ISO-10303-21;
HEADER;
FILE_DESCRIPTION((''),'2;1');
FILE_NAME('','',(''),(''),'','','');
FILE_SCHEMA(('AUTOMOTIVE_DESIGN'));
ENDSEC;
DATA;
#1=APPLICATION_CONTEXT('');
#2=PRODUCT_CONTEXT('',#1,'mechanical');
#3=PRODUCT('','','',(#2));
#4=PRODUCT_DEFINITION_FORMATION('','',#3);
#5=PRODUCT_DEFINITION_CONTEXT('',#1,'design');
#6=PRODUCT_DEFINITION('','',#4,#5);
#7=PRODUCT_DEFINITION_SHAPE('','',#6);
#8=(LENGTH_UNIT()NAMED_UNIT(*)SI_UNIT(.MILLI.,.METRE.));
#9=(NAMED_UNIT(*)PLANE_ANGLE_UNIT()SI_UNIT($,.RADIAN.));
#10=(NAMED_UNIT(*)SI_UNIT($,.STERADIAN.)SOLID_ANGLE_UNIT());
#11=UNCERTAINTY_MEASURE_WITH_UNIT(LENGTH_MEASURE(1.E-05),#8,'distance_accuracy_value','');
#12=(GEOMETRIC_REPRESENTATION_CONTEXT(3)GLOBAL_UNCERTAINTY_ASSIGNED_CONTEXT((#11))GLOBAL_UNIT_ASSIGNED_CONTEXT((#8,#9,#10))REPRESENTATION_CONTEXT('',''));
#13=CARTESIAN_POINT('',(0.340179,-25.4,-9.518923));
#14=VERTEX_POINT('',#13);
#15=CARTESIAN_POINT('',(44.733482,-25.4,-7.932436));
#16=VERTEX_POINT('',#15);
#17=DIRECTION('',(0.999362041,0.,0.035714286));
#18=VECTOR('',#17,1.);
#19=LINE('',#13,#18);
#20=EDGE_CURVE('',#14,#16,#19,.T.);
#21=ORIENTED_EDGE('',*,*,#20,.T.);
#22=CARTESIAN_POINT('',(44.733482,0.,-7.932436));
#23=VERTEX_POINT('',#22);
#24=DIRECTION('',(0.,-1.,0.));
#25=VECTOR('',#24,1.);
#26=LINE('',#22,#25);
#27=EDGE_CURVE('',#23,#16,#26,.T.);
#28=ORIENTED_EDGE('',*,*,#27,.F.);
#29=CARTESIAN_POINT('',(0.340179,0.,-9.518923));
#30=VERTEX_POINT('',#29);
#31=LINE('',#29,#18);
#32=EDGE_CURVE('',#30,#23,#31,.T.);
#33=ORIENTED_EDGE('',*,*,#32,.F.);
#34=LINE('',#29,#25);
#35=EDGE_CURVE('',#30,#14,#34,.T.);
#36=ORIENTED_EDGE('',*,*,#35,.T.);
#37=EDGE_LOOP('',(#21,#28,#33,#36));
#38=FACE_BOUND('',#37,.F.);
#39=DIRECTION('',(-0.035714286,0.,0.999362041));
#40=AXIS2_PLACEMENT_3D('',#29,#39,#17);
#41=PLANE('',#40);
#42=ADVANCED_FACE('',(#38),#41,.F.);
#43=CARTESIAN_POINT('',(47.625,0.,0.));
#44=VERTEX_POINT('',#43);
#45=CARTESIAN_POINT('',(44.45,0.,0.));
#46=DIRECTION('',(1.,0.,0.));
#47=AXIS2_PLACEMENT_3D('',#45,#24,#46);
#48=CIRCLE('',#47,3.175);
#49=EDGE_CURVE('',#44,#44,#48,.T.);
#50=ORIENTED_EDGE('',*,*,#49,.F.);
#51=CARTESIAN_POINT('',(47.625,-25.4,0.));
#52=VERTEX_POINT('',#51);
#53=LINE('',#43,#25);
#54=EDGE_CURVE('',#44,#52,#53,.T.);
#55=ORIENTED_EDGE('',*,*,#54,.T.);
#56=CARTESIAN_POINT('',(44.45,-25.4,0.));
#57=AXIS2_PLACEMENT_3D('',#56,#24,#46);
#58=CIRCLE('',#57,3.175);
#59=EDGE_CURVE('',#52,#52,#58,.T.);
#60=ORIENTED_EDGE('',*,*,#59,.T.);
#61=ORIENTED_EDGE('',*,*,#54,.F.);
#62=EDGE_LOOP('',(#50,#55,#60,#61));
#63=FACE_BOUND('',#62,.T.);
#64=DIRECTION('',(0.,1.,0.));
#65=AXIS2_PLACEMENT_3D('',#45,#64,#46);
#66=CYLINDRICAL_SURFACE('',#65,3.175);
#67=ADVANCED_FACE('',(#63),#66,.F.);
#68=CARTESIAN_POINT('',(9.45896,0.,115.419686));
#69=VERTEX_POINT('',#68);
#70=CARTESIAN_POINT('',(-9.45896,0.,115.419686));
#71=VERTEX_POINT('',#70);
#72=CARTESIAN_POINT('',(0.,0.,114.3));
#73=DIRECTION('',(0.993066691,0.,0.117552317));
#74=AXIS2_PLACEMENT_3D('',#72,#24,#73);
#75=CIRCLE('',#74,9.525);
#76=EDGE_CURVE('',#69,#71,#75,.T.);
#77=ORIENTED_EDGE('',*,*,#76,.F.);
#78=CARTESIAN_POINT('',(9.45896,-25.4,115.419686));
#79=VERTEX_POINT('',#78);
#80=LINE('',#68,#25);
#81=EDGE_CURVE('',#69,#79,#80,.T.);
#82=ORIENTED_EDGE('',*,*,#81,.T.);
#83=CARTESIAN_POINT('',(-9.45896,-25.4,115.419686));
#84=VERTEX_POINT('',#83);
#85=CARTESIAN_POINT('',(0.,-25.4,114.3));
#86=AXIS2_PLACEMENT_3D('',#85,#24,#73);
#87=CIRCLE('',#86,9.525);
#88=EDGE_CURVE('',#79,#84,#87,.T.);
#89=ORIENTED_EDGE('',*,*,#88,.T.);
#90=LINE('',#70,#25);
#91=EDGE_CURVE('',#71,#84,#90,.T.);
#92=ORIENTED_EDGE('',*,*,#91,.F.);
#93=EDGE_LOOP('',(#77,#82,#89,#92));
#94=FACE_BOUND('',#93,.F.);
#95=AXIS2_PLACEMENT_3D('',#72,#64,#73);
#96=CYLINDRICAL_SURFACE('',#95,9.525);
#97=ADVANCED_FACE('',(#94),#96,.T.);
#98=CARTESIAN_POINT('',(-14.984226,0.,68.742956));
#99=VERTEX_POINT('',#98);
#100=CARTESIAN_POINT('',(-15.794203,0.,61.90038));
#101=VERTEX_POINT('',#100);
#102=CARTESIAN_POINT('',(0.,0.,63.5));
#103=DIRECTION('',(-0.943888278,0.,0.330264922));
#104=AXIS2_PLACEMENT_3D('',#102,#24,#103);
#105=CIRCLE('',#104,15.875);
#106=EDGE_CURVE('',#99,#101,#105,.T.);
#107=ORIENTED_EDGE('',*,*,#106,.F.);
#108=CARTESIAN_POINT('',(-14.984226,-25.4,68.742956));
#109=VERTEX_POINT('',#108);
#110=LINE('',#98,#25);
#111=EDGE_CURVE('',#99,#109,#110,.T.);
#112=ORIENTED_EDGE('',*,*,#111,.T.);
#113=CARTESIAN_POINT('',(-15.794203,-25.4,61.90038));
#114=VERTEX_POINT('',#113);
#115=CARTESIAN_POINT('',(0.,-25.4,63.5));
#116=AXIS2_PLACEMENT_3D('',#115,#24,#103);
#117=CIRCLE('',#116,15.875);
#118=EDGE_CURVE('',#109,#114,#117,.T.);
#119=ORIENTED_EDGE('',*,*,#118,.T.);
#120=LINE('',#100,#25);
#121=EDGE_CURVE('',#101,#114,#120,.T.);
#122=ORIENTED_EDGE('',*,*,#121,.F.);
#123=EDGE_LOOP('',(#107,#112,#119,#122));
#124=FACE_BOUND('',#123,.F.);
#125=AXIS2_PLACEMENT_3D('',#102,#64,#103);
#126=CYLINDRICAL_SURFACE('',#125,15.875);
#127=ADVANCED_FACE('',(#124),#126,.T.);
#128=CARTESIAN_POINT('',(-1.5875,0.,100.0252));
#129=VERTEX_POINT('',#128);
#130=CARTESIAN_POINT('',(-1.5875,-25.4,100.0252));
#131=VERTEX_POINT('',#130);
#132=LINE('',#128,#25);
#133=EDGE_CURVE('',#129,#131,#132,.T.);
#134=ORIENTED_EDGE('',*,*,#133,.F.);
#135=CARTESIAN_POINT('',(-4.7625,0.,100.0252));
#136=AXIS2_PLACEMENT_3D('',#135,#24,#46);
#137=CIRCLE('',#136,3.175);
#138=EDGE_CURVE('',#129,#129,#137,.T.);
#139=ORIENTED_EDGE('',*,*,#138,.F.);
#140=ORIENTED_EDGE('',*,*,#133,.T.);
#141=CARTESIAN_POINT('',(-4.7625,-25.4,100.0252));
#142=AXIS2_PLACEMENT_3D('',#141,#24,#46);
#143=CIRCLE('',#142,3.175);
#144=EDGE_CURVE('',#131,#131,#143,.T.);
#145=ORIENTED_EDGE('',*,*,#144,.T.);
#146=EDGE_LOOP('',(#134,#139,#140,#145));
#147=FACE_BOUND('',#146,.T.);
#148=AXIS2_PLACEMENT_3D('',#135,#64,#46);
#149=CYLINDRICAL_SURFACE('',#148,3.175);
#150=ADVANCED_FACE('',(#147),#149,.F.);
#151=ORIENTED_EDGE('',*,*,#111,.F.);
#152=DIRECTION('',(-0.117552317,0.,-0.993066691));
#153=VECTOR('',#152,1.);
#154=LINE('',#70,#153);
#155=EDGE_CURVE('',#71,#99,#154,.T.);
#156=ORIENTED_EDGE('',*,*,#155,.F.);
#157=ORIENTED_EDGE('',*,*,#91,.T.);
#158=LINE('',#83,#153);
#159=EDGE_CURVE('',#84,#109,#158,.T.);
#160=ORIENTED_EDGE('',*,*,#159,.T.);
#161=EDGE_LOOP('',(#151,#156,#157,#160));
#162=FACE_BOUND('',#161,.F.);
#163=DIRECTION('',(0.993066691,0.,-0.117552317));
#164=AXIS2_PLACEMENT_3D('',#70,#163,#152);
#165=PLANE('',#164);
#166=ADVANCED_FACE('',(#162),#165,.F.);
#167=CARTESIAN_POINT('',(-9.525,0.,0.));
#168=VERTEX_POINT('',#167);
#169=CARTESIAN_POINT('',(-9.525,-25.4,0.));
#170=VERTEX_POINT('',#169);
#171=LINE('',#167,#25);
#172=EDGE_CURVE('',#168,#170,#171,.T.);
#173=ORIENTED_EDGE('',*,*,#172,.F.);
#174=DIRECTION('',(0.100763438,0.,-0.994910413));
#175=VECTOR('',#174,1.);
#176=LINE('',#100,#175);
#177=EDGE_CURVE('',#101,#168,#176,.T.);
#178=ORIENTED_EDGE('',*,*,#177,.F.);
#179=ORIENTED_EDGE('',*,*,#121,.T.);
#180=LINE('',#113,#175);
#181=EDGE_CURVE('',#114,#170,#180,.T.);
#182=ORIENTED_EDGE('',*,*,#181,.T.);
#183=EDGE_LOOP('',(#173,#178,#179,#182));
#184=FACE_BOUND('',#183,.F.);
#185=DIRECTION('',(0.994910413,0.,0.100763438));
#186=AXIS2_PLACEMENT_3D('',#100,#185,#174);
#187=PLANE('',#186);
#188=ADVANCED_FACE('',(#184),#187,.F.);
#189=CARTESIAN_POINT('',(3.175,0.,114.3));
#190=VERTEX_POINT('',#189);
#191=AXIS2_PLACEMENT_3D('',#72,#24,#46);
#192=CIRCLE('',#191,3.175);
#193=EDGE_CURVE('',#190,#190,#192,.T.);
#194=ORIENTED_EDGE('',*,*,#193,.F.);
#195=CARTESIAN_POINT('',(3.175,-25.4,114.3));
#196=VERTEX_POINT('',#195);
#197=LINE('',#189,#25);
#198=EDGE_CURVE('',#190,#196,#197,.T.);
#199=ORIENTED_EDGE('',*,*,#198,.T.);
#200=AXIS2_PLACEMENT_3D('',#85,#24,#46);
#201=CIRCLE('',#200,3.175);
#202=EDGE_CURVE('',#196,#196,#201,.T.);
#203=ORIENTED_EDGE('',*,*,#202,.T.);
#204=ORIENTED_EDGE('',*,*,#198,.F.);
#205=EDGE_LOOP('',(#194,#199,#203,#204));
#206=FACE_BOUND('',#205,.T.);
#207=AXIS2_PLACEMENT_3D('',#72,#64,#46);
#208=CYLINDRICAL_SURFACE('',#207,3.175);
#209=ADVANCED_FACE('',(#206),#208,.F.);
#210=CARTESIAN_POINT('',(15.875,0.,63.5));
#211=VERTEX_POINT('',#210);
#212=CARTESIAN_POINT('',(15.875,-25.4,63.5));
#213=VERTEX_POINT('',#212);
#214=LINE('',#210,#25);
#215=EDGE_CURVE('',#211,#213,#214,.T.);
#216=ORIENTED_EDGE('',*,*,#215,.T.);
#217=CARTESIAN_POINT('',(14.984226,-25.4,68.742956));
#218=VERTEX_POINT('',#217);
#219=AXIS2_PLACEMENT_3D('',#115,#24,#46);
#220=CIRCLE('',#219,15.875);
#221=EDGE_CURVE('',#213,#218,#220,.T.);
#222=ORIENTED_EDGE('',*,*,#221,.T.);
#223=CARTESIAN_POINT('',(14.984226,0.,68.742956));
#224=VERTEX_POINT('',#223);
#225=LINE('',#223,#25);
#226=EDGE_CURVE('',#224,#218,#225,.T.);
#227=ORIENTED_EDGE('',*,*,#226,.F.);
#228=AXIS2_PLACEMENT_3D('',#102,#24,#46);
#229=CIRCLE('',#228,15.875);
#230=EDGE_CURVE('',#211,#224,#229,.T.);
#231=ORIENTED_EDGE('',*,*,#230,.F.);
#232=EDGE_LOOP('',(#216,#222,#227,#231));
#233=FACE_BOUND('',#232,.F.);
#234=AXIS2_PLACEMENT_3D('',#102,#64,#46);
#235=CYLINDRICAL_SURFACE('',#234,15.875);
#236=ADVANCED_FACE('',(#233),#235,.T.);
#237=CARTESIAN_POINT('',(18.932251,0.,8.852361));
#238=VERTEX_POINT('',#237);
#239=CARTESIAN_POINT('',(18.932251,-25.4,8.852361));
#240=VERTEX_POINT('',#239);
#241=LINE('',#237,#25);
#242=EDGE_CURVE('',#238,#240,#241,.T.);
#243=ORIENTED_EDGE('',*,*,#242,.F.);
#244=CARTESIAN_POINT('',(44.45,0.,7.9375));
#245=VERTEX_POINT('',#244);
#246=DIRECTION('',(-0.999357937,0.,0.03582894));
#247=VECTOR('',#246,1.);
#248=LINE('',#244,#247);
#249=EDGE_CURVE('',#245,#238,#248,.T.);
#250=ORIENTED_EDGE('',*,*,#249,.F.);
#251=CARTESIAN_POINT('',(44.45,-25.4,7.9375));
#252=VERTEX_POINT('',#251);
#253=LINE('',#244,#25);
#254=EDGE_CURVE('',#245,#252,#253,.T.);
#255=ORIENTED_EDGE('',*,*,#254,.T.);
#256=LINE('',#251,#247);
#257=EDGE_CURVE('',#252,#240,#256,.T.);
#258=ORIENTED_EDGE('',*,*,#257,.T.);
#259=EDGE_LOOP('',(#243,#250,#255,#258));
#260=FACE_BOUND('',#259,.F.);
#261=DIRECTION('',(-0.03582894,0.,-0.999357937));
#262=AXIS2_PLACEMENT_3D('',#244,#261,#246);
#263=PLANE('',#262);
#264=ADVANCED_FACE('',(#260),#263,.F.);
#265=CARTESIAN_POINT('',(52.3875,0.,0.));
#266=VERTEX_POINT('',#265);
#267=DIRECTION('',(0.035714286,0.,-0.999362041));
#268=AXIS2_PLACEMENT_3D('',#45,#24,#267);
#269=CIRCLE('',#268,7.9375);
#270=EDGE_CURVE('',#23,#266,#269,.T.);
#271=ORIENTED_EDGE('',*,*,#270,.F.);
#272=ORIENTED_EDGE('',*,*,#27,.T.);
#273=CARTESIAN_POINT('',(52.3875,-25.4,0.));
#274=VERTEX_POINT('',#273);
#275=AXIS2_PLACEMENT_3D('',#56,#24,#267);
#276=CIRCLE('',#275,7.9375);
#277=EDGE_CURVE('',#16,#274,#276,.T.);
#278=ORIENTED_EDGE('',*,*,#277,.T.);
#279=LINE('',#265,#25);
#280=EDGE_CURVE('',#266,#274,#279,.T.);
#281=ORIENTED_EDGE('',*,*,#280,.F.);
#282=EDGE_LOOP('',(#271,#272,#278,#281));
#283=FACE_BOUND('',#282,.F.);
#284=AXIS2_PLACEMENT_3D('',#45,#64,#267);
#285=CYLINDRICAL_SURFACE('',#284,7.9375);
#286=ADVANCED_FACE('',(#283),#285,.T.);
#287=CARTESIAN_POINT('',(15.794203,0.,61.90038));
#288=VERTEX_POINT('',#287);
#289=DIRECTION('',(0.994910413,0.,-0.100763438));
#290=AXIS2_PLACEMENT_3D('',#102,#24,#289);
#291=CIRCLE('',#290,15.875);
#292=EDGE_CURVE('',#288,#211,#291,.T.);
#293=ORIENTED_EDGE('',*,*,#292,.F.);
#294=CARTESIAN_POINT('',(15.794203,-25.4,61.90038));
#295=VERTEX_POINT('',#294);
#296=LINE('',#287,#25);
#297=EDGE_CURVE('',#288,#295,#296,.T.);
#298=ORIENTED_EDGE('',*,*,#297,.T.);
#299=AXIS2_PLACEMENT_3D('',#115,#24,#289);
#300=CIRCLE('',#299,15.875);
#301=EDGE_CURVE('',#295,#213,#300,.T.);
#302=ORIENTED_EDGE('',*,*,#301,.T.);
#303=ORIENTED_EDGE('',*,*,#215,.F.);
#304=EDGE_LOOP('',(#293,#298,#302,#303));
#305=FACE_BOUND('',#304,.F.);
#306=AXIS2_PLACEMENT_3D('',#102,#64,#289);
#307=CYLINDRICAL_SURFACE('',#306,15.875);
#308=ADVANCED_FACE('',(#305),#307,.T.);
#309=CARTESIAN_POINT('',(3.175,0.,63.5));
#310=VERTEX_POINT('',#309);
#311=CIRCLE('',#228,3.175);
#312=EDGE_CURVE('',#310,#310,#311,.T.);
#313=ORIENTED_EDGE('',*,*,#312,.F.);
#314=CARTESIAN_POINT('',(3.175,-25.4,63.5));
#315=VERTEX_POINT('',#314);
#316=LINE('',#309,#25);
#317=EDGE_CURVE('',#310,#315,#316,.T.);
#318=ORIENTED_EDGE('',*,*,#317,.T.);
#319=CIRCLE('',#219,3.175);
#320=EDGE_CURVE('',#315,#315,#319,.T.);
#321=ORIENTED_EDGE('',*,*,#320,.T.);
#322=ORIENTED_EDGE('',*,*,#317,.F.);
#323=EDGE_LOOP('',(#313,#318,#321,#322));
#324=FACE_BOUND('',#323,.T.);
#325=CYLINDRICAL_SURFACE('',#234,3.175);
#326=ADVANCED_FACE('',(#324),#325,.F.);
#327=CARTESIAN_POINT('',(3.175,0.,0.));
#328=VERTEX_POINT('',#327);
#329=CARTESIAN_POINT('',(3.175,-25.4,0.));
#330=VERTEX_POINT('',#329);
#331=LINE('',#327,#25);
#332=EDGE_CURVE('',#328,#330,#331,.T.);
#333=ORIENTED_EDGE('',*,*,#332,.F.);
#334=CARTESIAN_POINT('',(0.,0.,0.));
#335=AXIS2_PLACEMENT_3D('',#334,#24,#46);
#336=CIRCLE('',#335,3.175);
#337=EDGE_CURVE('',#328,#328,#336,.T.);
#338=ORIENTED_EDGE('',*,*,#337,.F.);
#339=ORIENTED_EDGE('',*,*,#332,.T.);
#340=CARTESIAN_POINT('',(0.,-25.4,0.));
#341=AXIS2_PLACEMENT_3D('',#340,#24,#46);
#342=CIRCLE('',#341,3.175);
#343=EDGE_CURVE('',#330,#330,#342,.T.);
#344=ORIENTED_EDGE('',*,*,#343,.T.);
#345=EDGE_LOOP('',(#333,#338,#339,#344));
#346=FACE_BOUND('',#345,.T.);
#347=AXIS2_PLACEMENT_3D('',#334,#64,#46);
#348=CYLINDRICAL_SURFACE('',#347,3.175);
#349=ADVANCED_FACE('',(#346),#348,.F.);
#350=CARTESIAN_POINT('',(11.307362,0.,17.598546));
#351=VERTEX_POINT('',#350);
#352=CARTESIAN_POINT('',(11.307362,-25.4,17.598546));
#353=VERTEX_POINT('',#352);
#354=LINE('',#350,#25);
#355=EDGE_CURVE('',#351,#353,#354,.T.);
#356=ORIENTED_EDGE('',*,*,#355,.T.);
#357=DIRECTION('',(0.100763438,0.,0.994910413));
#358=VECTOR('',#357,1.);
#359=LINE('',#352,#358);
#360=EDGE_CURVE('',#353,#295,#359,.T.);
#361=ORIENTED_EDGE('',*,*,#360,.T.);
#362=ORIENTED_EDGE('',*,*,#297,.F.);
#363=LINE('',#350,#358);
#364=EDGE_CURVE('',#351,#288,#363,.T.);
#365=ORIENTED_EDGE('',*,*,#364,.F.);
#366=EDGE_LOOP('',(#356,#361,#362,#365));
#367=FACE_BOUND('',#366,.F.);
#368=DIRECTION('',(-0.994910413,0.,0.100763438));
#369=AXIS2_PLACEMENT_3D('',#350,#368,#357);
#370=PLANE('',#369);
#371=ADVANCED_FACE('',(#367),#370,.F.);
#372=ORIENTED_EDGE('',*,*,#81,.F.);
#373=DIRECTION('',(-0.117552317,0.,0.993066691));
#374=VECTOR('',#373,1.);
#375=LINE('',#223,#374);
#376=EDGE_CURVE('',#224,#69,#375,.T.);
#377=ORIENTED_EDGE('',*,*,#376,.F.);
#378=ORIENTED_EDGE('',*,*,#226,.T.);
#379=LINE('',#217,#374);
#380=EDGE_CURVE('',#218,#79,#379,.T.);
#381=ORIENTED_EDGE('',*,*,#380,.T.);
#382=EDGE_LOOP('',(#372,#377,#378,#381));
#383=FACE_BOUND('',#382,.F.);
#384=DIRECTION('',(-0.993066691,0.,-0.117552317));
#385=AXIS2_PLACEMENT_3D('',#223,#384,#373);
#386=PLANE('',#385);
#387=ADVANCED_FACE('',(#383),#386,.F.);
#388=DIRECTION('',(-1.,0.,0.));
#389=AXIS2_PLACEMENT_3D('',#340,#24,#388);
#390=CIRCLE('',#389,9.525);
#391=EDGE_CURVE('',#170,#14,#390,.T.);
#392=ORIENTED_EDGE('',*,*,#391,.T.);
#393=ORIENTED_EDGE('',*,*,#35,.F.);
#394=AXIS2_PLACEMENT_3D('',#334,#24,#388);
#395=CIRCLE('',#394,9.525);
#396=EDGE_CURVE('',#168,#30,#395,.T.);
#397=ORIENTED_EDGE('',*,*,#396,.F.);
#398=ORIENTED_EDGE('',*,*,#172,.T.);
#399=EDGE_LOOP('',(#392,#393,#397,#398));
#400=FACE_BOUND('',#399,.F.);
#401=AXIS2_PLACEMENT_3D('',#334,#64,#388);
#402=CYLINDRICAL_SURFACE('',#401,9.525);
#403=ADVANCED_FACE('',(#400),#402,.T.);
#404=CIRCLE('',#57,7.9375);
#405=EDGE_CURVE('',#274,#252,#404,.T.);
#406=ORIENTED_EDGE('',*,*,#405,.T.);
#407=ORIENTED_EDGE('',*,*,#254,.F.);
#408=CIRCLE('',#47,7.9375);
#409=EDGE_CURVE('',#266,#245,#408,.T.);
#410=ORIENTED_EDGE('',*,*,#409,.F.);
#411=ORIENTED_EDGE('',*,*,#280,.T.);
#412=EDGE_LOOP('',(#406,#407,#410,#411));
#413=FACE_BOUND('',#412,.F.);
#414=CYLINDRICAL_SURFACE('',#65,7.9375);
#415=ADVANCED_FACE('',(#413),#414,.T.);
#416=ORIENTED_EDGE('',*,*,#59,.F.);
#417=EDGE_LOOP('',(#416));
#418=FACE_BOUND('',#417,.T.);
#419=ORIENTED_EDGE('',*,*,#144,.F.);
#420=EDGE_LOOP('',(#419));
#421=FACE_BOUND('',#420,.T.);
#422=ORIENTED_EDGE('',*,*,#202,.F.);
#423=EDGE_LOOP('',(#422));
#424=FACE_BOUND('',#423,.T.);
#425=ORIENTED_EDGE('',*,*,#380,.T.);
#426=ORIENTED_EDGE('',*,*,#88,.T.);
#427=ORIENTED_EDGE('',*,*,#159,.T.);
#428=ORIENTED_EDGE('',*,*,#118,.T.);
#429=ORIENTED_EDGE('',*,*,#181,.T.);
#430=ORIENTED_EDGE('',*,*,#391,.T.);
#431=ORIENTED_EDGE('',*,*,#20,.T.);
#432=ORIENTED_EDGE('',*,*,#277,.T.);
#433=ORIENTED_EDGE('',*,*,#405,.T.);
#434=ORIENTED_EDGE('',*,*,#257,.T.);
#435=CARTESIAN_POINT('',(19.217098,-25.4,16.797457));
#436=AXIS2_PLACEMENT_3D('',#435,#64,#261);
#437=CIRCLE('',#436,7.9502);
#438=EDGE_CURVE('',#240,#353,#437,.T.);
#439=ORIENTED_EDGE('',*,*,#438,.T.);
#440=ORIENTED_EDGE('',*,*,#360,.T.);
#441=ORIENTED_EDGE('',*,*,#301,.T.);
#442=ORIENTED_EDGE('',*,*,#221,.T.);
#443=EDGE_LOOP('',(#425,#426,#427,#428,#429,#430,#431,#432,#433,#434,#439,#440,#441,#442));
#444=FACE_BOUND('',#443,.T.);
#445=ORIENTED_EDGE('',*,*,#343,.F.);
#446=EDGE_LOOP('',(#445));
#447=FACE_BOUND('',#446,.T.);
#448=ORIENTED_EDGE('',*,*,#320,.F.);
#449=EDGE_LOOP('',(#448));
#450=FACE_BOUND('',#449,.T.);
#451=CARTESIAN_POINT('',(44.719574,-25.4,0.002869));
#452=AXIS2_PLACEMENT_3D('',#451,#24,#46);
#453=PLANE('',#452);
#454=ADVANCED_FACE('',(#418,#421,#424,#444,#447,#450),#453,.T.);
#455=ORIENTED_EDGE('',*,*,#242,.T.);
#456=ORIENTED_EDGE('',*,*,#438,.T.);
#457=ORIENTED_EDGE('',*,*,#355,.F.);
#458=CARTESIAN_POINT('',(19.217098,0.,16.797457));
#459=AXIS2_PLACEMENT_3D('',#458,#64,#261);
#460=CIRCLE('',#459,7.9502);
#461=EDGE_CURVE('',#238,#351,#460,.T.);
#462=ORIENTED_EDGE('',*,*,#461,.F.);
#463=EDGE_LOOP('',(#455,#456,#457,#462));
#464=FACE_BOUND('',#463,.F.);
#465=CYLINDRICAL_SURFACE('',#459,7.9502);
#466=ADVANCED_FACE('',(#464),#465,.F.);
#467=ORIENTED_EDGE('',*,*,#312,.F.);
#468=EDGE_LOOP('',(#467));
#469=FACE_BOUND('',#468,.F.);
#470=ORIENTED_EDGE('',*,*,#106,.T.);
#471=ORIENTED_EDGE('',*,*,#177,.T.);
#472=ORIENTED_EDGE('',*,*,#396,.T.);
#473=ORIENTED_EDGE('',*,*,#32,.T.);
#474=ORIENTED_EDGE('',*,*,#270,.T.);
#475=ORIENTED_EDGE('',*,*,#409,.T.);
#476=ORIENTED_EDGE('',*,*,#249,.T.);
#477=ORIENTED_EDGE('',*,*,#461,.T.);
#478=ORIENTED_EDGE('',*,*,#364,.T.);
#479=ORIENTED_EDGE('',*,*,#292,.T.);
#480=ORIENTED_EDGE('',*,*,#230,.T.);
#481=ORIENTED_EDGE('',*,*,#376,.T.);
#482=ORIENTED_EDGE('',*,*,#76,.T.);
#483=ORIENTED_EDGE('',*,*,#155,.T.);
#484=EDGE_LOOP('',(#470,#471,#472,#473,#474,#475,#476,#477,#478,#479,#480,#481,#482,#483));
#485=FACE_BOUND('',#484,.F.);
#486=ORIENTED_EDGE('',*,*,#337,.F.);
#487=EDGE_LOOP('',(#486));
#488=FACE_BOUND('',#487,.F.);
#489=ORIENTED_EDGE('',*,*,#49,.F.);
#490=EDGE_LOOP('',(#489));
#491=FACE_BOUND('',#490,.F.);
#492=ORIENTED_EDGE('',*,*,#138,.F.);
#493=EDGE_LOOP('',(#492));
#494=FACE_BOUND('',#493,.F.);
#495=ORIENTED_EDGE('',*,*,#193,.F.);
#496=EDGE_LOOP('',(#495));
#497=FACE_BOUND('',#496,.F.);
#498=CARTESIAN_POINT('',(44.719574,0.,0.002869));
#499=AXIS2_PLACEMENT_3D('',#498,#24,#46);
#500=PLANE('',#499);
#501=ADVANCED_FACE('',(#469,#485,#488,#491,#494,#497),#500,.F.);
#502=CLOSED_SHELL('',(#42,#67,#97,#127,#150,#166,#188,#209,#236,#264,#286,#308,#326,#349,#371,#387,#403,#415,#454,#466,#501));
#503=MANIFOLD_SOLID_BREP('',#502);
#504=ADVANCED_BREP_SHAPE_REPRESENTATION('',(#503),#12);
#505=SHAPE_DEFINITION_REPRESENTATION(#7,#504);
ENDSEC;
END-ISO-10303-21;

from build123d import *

# Parameters (mm, degrees)
F0_R     = 3.175
F1_DEPTH = 25.4


with BuildPart() as f1:
    # F0 (on Front) → F1 (new body)
    with BuildSketch(Plane.XZ):
        with BuildLine():
            ThreePointArc((44.7334821429, -7.9324362036), (50.1620069047, -5.5115227815), (52.3875, 0))
            ThreePointArc((52.3875, 0), (50.0626600757, 5.6126600757), (44.45, 7.9375))
            ThreePointArc((44.45, 7.9375), (36.5137660501, -0.1417636831), (44.7334821429, -7.9324362036))
        make_face()
        with Locations((44.45, 0)):
            Circle(F0_R, mode=Mode.SUBTRACT)
        with BuildLine():
            ThreePointArc((44.7334821429, -7.9324362036), (36.5137660501, -0.1417636831), (44.45, 7.9375))
            Line((44.45, 7.9375), (18.9322510366, 8.8523612883))
            ThreePointArc((18.9322510366, 8.8523612883), (13.2244578226, 11.5730964697), (11.3073615093, 17.5985462477))
            Line((11.3073615093, 17.5985462477), (15.7942028036, 61.9003804205))
            ThreePointArc((15.7942028036, 61.9003804205), (0, 47.625), (-15.7942028036, 61.9003804205))
            Line((-15.7942028036, 61.9003804205), (-9.525, 0))
            ThreePointArc((-9.525, 0), (0, 9.525), (9.525, 0))
            ThreePointArc((9.525, 0), (6.854408295, -6.6138273281), (0.3401785982, -9.5189234434))
            Line((0.3401785982, -9.5189234434), (44.7334821429, -7.9324362036))
        make_face()
        with BuildLine():
            ThreePointArc((-9.525, 0), (-6.6138273281, -6.854408295), (0.3401785982, -9.5189234434))
            ThreePointArc((0.3401785982, -9.5189234434), (6.854408295, -6.6138273281), (9.525, 0))
            ThreePointArc((9.525, 0), (0, 9.525), (-9.525, 0))
        make_face()
        Circle(F0_R, mode=Mode.SUBTRACT)
        with BuildLine():
            Line((14.9842264132, 68.7429556358), (15.7942028036, 61.9003804205))
            ThreePointArc((15.7942028036, 61.9003804205), (15.8547878338, 62.6991705884), (15.875, 63.5))
            ThreePointArc((15.875, 63.5), (15.6507223365, 66.1590440661), (14.9842264132, 68.7429556358))
        make_face()
        with BuildLine():
            ThreePointArc((-15.7942028036, 61.9003804205), (0, 47.625), (15.7942028036, 61.9003804205))
            Line((15.7942028036, 61.9003804205), (14.9842264132, 68.7429556358))
            ThreePointArc((14.9842264132, 68.7429556358), (0, 79.375), (-14.9842264132, 68.7429556358))
            Line((-14.9842264132, 68.7429556358), (-15.7942028036, 61.9003804205))
        make_face()
        with Locations((0, 63.5)):
            Circle(F0_R, mode=Mode.SUBTRACT)
        with BuildLine():
            ThreePointArc((-14.9842264132, 68.7429556358), (-15.7649337188, 65.3661430393), (-15.7942028036, 61.9003804205))
            Line((-15.7942028036, 61.9003804205), (-14.9842264132, 68.7429556358))
        make_face()
        with BuildLine():
            ThreePointArc((-14.9842264132, 68.7429556358), (0, 79.375), (14.9842264132, 68.7429556358))
            Line((14.9842264132, 68.7429556358), (9.4589602313, 115.4196858236))
            ThreePointArc((9.4589602313, 115.4196858236), (9.5084757244, 114.8608158331), (9.525, 114.3))
            ThreePointArc((9.525, 114.3), (-0.5608158331, 104.7915242756), (-9.4589602313, 115.4196858236))
            Line((-9.4589602313, 115.4196858236), (-14.9842264132, 68.7429556358))
        make_face()
        with Locations((-4.7625, 100.0252)):
            Circle(F0_R, mode=Mode.SUBTRACT)
        with BuildLine():
            ThreePointArc((9.525, 114.3), (9.5084757244, 114.8608158331), (9.4589602313, 115.4196858236))
            ThreePointArc((9.4589602313, 115.4196858236), (0, 123.825), (-9.4589602313, 115.4196858236))
            ThreePointArc((-9.4589602313, 115.4196858236), (-0.5608158331, 104.7915242756), (9.525, 114.3))
        make_face()
        with Locations((0, 114.3)):
            Circle(F0_R, mode=Mode.SUBTRACT)
    extrude(amount=F1_DEPTH)


solid = f1.part
